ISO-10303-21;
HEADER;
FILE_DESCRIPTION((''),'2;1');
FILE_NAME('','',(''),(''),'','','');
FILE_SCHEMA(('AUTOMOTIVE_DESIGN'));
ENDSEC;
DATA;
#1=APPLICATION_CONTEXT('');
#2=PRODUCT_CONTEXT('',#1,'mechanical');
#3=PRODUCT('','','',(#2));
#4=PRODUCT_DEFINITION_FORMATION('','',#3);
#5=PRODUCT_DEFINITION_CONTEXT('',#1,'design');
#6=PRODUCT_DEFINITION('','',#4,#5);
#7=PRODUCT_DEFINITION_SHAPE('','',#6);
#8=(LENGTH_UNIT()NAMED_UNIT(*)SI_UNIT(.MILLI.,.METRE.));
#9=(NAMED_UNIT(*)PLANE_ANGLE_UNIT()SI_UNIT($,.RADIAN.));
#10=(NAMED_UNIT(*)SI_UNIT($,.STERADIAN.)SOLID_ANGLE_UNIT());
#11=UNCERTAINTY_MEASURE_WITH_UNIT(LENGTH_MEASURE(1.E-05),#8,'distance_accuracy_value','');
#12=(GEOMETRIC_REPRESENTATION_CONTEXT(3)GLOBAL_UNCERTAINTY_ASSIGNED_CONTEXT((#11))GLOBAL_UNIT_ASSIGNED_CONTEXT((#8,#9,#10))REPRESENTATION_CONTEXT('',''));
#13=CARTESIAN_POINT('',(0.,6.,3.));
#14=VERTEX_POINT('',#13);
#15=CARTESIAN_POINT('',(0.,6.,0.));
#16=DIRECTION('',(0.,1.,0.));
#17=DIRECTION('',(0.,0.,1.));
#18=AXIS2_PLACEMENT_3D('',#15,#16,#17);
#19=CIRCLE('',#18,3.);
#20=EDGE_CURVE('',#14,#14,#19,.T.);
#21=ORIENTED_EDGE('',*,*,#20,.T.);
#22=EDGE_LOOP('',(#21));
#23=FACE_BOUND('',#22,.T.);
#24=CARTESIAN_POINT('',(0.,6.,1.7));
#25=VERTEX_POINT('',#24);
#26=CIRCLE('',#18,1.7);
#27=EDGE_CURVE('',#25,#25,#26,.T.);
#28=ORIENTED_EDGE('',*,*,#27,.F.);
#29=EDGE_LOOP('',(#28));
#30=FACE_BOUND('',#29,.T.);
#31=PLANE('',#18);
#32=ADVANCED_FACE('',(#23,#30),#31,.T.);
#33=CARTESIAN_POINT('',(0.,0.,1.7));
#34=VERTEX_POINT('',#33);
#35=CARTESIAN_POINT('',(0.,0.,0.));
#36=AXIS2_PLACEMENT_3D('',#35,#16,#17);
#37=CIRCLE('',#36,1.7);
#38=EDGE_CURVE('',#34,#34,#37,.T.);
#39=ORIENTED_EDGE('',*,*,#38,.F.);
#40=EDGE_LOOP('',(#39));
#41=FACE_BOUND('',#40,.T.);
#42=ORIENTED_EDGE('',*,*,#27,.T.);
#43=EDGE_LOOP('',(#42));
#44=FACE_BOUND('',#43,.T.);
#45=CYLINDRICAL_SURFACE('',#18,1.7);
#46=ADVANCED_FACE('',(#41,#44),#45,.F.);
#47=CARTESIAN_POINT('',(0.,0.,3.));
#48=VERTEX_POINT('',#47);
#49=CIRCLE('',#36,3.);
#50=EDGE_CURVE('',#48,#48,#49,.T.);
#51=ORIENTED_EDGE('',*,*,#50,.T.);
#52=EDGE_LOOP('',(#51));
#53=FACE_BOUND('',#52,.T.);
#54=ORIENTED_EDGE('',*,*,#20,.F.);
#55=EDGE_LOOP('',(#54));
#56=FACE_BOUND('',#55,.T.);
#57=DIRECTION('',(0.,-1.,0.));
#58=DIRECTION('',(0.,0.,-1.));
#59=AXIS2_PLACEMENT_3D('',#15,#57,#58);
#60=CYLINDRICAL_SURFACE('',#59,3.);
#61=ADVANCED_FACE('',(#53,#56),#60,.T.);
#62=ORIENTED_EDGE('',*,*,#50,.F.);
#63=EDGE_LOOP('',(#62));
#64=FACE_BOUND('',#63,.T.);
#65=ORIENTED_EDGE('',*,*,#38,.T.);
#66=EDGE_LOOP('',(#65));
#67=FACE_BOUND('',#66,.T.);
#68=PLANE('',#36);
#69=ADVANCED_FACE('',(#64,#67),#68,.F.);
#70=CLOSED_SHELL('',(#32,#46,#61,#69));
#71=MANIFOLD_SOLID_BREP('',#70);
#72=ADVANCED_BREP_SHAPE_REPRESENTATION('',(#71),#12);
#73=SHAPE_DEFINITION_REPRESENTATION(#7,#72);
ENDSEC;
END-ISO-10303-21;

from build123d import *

# Parameters (mm, degrees)
SKETCH1_R            = 3
BOSS_EXTRUDE1_DEPTH  = 6
M3_CLEARANCE_HOLE1_D = 3.4


with BuildPart() as part:
    # Sketch1 → Boss-Extrude1 (new body)
    with BuildSketch(Plane(origin=(0, 0, 0), x_dir=(1, 0, 0), z_dir=(0, 1, 0))):
        with Locations(Location((0, 0, 0), (0, 0, 270))):
            Circle(SKETCH1_R)
    extrude(amount=BOSS_EXTRUDE1_DEPTH)

    # M3 Clearance Hole1 (through all)
    with Locations(Plane(origin=(0, 6, 0), x_dir=(1, 0, 0), z_dir=(0, 1, 0))):
        with Locations((0, 0)):
            Hole(M3_CLEARANCE_HOLE1_D / 2)


solid = part.part
